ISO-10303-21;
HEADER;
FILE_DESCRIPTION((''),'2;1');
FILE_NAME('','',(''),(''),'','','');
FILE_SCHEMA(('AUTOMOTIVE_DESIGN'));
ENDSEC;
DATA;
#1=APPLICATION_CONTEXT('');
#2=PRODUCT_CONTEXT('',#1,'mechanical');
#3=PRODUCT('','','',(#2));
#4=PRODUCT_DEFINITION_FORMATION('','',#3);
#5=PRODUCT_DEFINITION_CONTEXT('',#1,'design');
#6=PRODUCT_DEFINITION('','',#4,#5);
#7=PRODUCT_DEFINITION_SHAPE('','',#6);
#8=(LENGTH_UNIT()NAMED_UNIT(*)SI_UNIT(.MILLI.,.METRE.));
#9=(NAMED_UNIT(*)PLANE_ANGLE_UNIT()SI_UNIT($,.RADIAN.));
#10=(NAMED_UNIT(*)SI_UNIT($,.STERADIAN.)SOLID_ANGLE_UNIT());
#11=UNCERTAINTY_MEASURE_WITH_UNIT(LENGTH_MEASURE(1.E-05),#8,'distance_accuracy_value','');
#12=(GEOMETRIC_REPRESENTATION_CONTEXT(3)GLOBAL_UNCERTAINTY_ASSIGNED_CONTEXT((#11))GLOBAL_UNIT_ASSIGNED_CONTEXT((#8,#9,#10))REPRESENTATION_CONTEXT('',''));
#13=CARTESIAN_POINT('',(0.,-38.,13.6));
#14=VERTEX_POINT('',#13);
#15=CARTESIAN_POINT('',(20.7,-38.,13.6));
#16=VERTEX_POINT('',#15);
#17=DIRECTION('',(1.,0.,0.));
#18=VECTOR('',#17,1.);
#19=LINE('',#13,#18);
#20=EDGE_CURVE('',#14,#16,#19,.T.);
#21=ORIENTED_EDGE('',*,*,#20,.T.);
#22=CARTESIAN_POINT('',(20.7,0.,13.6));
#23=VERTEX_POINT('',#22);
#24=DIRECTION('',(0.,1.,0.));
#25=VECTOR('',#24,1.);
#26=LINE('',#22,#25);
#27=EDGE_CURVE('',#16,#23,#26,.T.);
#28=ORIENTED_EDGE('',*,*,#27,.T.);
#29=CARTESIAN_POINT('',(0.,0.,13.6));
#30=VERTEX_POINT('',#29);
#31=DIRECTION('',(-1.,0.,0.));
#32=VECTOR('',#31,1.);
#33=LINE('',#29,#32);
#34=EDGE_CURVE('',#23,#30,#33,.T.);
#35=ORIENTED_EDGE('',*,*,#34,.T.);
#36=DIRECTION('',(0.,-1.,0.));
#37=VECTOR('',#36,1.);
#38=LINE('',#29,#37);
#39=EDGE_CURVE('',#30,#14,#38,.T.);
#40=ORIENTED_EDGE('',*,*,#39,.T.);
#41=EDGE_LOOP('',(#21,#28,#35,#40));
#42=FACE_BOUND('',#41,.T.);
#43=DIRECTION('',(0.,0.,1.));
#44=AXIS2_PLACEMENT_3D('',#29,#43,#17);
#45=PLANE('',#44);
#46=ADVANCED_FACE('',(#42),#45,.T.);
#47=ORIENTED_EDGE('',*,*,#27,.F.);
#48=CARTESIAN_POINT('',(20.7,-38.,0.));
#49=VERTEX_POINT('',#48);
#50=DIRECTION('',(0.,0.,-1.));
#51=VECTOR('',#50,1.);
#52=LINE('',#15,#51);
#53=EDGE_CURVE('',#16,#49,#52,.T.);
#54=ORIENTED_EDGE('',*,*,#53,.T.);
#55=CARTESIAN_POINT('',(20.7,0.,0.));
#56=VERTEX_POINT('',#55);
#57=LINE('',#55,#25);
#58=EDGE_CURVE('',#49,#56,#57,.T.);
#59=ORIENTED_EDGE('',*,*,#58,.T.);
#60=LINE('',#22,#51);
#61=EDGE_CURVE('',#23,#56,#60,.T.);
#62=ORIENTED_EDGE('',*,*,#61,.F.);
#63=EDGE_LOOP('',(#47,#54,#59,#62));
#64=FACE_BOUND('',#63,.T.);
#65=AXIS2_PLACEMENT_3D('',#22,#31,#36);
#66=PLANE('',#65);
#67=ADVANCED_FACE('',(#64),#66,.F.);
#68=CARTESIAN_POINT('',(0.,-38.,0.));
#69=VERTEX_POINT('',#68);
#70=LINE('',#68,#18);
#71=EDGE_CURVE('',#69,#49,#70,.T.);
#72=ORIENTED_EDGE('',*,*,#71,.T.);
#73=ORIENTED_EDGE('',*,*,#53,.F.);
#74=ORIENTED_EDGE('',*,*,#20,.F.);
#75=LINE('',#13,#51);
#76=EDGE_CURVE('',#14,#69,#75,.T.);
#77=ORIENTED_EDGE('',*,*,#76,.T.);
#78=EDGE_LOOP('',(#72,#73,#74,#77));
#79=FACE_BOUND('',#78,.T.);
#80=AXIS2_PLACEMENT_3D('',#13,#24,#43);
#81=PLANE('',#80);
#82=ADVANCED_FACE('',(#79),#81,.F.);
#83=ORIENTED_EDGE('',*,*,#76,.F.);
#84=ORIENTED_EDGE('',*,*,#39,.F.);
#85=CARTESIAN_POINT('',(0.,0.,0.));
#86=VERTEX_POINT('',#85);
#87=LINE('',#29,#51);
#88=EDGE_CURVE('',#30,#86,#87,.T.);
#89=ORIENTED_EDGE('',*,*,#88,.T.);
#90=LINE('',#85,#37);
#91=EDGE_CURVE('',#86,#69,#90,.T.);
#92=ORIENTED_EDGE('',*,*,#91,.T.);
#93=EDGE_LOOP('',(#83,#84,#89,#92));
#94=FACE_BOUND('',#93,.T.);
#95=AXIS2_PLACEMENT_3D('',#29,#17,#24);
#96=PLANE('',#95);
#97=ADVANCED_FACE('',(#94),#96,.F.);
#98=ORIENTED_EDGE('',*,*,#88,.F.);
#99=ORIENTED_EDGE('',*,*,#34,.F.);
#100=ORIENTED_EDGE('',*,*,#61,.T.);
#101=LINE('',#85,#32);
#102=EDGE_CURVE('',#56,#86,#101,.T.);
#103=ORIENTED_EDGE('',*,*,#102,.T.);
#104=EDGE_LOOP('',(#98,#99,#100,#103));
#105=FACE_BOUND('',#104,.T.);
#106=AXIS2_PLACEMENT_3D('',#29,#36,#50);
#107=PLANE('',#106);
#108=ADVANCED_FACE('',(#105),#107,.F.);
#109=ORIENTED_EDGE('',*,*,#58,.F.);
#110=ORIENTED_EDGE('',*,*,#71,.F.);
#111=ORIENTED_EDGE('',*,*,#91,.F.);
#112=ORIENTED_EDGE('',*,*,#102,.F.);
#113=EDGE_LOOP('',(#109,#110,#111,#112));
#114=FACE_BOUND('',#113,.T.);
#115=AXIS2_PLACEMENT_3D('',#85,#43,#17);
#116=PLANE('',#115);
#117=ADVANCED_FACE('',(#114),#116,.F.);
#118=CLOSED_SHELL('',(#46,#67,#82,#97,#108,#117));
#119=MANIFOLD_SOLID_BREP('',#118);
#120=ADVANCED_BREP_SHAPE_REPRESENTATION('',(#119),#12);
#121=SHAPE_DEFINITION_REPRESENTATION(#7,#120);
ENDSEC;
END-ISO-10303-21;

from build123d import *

# Parameters (mm, degrees)
ESBO_O1_W                = 20.7
ESBO_O1_H                = 38
RESSALTO_EXTRUS_O1_DEPTH = 13.6


with BuildPart() as part:
    # Esboço1 → Ressalto-extrusão1 (new body)
    with BuildSketch(Plane.XY):
        with Locations((10.35, -19)):
            Rectangle(ESBO_O1_W, ESBO_O1_H)
    extrude(amount=RESSALTO_EXTRUS_O1_DEPTH)


solid = part.part
